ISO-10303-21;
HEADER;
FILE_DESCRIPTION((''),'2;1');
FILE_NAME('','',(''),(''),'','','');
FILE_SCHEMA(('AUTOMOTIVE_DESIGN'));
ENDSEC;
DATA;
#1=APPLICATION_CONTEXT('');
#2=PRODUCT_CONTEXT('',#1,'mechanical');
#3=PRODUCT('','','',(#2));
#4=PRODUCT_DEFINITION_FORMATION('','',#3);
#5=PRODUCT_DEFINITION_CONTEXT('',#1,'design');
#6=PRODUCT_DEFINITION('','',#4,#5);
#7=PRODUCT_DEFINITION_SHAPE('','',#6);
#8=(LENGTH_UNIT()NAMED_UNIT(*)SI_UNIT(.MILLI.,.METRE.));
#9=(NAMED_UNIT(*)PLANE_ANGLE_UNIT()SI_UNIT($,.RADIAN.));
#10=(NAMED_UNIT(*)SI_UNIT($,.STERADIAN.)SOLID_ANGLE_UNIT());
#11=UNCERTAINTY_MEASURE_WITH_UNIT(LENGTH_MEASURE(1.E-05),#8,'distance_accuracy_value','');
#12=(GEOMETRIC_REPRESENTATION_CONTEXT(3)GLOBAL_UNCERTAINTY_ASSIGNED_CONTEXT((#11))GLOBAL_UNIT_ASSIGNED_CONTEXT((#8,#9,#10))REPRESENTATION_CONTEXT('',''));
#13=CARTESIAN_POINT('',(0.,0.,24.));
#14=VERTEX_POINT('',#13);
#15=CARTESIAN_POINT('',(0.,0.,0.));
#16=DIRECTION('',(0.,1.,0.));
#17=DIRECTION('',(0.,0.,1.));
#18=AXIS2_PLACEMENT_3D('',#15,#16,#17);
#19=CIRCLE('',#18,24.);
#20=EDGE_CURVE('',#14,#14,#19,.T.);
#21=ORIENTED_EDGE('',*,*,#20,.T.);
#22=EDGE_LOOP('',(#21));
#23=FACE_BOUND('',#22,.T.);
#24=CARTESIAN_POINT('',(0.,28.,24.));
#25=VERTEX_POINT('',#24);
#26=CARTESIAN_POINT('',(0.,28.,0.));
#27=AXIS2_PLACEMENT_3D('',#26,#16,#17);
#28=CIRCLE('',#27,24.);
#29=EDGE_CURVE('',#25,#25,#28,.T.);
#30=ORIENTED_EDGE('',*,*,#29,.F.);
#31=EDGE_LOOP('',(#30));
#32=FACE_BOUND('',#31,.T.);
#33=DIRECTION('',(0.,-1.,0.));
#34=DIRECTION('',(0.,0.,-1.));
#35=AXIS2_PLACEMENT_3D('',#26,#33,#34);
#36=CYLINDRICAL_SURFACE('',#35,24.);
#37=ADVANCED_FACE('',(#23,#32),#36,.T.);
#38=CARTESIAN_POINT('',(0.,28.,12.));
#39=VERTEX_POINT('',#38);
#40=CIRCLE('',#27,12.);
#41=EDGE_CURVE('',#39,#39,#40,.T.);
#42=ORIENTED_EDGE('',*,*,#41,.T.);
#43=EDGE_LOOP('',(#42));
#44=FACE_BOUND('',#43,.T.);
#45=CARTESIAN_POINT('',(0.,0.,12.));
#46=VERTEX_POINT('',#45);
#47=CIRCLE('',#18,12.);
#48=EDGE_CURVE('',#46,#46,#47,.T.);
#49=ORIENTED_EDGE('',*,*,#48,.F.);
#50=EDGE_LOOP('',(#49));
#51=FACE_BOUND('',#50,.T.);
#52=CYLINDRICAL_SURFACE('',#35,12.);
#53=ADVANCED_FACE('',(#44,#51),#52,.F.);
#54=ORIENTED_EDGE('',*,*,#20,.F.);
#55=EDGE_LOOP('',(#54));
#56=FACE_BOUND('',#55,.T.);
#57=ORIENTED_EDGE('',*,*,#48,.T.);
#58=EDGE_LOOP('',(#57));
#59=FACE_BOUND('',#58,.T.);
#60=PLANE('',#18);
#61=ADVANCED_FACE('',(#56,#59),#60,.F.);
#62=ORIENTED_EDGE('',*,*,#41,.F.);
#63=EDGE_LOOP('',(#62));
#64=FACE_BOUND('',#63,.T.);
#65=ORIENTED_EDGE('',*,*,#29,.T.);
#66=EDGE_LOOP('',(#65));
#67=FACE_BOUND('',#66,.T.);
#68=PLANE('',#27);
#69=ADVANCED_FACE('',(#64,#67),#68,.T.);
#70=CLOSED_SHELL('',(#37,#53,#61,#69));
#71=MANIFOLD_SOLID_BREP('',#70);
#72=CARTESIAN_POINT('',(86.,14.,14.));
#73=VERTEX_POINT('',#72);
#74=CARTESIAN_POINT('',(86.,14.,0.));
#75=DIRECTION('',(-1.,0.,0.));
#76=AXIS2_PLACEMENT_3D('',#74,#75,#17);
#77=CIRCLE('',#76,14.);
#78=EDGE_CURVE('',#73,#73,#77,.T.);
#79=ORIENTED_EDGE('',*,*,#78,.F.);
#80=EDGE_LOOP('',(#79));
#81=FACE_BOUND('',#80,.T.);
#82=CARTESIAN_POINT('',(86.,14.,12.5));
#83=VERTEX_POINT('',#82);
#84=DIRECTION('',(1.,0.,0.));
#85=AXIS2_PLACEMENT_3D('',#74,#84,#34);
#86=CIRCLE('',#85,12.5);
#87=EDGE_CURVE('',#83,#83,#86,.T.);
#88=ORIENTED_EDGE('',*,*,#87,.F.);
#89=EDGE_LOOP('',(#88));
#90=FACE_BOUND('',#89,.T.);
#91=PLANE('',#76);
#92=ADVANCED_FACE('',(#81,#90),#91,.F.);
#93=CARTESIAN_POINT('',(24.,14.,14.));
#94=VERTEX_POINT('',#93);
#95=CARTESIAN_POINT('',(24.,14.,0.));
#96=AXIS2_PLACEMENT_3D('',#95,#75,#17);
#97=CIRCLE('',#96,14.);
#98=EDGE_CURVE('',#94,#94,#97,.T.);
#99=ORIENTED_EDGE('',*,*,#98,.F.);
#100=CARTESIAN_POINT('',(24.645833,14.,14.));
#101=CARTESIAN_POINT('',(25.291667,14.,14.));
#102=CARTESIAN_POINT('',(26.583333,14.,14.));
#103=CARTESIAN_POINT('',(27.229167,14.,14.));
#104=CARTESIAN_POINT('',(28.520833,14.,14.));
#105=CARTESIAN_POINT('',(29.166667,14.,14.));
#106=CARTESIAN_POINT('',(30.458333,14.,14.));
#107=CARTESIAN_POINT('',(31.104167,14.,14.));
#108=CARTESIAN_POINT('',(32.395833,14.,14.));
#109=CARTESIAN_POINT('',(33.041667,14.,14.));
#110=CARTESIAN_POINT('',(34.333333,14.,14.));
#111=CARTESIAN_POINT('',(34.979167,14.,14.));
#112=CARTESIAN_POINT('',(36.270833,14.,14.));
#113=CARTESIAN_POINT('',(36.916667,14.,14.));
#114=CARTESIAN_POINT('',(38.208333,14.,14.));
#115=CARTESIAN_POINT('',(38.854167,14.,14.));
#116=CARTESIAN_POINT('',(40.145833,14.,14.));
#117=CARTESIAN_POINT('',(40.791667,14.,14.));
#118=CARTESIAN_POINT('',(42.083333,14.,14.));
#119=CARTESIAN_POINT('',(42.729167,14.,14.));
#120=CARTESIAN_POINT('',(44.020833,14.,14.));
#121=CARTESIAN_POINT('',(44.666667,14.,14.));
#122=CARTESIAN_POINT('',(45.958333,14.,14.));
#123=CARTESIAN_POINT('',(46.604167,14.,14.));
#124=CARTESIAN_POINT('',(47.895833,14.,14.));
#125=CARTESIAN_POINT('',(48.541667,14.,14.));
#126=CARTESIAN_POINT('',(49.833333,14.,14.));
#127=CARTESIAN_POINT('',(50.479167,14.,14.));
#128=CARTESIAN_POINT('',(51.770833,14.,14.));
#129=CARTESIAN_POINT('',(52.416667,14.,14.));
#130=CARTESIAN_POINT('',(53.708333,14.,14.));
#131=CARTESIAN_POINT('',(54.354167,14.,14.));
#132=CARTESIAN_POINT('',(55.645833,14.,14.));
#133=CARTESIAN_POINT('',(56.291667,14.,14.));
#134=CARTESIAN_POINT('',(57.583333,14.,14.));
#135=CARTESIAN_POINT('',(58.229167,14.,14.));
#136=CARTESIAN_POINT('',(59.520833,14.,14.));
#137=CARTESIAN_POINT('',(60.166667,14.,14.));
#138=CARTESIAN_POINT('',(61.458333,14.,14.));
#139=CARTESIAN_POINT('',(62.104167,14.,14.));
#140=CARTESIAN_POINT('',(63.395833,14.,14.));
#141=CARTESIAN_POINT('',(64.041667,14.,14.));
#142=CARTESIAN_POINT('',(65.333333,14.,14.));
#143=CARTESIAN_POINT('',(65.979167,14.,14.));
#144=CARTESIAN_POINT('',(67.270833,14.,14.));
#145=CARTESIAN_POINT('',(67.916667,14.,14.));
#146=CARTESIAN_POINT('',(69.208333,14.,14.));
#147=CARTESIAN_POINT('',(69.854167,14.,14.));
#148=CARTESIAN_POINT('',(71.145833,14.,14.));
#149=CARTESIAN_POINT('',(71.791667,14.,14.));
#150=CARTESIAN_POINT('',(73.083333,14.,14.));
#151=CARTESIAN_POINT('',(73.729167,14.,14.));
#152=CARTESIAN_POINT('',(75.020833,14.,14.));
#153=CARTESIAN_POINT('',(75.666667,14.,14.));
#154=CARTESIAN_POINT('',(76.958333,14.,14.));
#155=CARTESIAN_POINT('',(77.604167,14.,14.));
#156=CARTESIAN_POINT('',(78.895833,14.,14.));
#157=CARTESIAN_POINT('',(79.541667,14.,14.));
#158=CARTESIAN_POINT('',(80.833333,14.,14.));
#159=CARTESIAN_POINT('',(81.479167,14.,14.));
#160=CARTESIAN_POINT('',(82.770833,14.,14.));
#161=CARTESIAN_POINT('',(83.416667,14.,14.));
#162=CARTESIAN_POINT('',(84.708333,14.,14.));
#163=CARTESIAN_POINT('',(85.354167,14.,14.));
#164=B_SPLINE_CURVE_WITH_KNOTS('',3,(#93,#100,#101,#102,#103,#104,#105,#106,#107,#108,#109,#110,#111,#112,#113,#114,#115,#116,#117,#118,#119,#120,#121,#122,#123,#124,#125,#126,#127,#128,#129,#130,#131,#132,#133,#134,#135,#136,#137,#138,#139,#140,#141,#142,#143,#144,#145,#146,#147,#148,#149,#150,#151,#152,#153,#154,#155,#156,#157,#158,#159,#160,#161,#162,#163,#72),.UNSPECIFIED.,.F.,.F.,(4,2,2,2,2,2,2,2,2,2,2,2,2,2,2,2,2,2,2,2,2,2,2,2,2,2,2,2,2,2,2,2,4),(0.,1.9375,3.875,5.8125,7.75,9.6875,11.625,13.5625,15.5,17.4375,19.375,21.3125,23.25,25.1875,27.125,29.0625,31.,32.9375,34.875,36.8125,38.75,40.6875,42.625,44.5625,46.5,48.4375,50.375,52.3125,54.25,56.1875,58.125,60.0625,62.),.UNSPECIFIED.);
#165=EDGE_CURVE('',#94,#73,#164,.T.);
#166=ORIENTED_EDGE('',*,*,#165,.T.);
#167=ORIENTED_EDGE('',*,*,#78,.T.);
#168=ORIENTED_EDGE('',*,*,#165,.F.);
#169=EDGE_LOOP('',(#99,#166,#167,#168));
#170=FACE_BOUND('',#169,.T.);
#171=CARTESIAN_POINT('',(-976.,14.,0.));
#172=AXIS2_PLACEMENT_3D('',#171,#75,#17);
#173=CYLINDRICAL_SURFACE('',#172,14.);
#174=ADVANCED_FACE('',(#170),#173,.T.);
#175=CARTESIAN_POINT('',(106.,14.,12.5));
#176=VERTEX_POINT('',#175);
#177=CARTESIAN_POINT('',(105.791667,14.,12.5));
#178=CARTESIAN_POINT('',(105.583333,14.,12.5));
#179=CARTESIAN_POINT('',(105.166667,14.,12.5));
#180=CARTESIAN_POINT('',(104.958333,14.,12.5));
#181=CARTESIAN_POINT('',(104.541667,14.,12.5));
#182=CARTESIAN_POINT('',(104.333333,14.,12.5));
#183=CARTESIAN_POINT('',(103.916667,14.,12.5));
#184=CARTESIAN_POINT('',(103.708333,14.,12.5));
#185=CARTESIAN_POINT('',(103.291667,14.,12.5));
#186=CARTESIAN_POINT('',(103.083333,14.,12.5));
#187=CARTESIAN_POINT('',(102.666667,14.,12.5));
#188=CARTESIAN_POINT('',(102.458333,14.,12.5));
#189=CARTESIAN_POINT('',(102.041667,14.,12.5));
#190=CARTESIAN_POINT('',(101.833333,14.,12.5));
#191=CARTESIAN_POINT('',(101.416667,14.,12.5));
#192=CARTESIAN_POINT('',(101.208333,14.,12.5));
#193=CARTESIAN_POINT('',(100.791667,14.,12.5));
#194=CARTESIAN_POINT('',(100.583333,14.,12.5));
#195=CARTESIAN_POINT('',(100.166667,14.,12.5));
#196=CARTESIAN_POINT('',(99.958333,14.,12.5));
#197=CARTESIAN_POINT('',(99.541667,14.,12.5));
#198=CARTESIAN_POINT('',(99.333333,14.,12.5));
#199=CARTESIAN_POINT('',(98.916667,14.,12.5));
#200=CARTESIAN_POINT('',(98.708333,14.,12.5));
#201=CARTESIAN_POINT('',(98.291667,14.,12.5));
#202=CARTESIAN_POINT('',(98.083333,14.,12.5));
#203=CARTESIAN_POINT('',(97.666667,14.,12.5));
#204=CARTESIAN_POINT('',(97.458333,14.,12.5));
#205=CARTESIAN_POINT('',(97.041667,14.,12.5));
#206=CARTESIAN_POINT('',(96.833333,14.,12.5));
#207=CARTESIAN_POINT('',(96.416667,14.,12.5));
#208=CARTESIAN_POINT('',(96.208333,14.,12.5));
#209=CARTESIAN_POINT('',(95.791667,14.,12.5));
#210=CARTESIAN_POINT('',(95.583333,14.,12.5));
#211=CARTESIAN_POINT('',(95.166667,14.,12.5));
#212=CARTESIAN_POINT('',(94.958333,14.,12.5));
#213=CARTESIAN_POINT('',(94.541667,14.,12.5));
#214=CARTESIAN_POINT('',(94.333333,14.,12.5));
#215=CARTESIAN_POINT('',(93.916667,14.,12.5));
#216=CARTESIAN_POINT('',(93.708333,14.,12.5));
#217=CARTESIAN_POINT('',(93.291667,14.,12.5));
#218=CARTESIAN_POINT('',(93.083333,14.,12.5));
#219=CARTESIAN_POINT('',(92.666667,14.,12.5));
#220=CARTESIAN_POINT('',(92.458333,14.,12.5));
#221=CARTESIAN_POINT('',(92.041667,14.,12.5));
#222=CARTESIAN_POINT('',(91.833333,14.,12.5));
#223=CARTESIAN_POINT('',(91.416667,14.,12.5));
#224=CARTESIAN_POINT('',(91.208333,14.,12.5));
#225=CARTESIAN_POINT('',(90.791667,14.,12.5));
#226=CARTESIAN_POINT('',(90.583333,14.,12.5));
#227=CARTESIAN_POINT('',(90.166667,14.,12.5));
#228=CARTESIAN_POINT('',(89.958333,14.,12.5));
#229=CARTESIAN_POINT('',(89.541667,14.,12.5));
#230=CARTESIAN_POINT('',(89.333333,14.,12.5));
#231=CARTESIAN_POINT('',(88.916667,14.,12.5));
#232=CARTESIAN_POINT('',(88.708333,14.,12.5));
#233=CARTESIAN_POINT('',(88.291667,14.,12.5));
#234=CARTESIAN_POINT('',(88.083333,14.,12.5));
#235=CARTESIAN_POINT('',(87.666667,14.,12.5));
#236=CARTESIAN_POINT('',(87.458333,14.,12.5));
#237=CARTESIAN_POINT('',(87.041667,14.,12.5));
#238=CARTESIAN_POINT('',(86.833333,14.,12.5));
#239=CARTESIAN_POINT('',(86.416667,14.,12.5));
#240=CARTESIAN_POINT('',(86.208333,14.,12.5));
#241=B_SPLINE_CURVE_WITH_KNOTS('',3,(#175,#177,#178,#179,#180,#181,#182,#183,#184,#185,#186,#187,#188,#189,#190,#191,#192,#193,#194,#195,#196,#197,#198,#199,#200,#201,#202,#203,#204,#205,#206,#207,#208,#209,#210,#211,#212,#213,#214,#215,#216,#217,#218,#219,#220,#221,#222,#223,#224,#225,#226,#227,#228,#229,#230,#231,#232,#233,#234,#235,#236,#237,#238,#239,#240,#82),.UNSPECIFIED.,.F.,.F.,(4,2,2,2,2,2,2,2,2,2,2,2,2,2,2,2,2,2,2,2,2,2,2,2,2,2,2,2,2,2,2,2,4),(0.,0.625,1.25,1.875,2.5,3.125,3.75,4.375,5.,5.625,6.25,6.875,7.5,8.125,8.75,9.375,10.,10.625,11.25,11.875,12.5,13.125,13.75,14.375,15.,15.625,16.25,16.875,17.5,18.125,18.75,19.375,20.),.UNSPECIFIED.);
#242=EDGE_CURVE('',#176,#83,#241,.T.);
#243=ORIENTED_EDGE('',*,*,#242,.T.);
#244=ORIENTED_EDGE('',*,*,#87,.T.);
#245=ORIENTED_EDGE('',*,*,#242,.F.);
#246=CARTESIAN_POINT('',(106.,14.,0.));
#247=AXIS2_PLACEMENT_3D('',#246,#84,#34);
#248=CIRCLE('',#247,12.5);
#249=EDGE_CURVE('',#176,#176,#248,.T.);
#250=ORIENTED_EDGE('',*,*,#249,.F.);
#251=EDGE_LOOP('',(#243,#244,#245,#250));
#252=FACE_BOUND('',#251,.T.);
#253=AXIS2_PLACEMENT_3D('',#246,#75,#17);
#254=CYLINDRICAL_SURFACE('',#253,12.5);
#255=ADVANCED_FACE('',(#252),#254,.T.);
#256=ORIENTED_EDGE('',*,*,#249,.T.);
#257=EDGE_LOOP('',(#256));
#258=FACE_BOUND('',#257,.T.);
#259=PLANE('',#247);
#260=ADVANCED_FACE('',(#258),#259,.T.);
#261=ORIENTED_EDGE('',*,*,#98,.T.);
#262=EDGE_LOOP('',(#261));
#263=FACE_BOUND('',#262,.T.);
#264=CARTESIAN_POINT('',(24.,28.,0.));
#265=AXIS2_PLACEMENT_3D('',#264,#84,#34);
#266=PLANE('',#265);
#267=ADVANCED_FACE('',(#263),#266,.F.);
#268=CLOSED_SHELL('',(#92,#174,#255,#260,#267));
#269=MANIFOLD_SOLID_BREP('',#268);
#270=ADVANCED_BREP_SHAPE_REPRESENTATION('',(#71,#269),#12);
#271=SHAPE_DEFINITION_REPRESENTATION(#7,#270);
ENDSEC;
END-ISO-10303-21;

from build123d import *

# Parameters (mm, degrees)
SKETCH1_R           = 24
SKETCH1_R_2         = 12
BOSS_EXTRUDE1_DEPTH = 28
SKETCH2_W           = 62
SKETCH2_H           = 14
SKETCH3_R           = 12.5
BOSS_EXTRUDE2_DEPTH = 20


with BuildPart() as part:
    # Sketch1 → Boss-Extrude1 (new body)
    with BuildSketch(Plane(origin=(0, 0, 0), x_dir=(1, 0, 0), z_dir=(0, 1, 0))):
        with Locations(Location((0, 0, 0), (0, 0, 270))):
            Circle(SKETCH1_R)
        with Locations(Location((0, 0, 0), (0, 0, 270))):
            Circle(SKETCH1_R_2, mode=Mode.SUBTRACT)
    extrude(amount=BOSS_EXTRUDE1_DEPTH)


with BuildPart() as body_2:
    # Sketch2 → Revolve1 (revolve)
    with BuildSketch(Plane.XY, mode=Mode.PRIVATE) as revolve1_sk:
        with Locations((55, 21)):
            Rectangle(SKETCH2_W, SKETCH2_H)
    revolve(revolve1_sk.sketch.rotate(Axis((-976, 14, 0), (1, 0, 0)), 90), axis=Axis((-976, 14, 0), (1, 0, 0)))

    # Sketch3 → Boss-Extrude2 (add)
    with BuildSketch(Plane(origin=(86, 0, 0), x_dir=(0, 0, -1), z_dir=(1, 0, 0))):
        with Locations(Location((0, 14, 0), (0, 0, 180))):
            Circle(SKETCH3_R)
    extrude(amount=BOSS_EXTRUDE2_DEPTH)


solid = Compound([part.part, body_2.part])
